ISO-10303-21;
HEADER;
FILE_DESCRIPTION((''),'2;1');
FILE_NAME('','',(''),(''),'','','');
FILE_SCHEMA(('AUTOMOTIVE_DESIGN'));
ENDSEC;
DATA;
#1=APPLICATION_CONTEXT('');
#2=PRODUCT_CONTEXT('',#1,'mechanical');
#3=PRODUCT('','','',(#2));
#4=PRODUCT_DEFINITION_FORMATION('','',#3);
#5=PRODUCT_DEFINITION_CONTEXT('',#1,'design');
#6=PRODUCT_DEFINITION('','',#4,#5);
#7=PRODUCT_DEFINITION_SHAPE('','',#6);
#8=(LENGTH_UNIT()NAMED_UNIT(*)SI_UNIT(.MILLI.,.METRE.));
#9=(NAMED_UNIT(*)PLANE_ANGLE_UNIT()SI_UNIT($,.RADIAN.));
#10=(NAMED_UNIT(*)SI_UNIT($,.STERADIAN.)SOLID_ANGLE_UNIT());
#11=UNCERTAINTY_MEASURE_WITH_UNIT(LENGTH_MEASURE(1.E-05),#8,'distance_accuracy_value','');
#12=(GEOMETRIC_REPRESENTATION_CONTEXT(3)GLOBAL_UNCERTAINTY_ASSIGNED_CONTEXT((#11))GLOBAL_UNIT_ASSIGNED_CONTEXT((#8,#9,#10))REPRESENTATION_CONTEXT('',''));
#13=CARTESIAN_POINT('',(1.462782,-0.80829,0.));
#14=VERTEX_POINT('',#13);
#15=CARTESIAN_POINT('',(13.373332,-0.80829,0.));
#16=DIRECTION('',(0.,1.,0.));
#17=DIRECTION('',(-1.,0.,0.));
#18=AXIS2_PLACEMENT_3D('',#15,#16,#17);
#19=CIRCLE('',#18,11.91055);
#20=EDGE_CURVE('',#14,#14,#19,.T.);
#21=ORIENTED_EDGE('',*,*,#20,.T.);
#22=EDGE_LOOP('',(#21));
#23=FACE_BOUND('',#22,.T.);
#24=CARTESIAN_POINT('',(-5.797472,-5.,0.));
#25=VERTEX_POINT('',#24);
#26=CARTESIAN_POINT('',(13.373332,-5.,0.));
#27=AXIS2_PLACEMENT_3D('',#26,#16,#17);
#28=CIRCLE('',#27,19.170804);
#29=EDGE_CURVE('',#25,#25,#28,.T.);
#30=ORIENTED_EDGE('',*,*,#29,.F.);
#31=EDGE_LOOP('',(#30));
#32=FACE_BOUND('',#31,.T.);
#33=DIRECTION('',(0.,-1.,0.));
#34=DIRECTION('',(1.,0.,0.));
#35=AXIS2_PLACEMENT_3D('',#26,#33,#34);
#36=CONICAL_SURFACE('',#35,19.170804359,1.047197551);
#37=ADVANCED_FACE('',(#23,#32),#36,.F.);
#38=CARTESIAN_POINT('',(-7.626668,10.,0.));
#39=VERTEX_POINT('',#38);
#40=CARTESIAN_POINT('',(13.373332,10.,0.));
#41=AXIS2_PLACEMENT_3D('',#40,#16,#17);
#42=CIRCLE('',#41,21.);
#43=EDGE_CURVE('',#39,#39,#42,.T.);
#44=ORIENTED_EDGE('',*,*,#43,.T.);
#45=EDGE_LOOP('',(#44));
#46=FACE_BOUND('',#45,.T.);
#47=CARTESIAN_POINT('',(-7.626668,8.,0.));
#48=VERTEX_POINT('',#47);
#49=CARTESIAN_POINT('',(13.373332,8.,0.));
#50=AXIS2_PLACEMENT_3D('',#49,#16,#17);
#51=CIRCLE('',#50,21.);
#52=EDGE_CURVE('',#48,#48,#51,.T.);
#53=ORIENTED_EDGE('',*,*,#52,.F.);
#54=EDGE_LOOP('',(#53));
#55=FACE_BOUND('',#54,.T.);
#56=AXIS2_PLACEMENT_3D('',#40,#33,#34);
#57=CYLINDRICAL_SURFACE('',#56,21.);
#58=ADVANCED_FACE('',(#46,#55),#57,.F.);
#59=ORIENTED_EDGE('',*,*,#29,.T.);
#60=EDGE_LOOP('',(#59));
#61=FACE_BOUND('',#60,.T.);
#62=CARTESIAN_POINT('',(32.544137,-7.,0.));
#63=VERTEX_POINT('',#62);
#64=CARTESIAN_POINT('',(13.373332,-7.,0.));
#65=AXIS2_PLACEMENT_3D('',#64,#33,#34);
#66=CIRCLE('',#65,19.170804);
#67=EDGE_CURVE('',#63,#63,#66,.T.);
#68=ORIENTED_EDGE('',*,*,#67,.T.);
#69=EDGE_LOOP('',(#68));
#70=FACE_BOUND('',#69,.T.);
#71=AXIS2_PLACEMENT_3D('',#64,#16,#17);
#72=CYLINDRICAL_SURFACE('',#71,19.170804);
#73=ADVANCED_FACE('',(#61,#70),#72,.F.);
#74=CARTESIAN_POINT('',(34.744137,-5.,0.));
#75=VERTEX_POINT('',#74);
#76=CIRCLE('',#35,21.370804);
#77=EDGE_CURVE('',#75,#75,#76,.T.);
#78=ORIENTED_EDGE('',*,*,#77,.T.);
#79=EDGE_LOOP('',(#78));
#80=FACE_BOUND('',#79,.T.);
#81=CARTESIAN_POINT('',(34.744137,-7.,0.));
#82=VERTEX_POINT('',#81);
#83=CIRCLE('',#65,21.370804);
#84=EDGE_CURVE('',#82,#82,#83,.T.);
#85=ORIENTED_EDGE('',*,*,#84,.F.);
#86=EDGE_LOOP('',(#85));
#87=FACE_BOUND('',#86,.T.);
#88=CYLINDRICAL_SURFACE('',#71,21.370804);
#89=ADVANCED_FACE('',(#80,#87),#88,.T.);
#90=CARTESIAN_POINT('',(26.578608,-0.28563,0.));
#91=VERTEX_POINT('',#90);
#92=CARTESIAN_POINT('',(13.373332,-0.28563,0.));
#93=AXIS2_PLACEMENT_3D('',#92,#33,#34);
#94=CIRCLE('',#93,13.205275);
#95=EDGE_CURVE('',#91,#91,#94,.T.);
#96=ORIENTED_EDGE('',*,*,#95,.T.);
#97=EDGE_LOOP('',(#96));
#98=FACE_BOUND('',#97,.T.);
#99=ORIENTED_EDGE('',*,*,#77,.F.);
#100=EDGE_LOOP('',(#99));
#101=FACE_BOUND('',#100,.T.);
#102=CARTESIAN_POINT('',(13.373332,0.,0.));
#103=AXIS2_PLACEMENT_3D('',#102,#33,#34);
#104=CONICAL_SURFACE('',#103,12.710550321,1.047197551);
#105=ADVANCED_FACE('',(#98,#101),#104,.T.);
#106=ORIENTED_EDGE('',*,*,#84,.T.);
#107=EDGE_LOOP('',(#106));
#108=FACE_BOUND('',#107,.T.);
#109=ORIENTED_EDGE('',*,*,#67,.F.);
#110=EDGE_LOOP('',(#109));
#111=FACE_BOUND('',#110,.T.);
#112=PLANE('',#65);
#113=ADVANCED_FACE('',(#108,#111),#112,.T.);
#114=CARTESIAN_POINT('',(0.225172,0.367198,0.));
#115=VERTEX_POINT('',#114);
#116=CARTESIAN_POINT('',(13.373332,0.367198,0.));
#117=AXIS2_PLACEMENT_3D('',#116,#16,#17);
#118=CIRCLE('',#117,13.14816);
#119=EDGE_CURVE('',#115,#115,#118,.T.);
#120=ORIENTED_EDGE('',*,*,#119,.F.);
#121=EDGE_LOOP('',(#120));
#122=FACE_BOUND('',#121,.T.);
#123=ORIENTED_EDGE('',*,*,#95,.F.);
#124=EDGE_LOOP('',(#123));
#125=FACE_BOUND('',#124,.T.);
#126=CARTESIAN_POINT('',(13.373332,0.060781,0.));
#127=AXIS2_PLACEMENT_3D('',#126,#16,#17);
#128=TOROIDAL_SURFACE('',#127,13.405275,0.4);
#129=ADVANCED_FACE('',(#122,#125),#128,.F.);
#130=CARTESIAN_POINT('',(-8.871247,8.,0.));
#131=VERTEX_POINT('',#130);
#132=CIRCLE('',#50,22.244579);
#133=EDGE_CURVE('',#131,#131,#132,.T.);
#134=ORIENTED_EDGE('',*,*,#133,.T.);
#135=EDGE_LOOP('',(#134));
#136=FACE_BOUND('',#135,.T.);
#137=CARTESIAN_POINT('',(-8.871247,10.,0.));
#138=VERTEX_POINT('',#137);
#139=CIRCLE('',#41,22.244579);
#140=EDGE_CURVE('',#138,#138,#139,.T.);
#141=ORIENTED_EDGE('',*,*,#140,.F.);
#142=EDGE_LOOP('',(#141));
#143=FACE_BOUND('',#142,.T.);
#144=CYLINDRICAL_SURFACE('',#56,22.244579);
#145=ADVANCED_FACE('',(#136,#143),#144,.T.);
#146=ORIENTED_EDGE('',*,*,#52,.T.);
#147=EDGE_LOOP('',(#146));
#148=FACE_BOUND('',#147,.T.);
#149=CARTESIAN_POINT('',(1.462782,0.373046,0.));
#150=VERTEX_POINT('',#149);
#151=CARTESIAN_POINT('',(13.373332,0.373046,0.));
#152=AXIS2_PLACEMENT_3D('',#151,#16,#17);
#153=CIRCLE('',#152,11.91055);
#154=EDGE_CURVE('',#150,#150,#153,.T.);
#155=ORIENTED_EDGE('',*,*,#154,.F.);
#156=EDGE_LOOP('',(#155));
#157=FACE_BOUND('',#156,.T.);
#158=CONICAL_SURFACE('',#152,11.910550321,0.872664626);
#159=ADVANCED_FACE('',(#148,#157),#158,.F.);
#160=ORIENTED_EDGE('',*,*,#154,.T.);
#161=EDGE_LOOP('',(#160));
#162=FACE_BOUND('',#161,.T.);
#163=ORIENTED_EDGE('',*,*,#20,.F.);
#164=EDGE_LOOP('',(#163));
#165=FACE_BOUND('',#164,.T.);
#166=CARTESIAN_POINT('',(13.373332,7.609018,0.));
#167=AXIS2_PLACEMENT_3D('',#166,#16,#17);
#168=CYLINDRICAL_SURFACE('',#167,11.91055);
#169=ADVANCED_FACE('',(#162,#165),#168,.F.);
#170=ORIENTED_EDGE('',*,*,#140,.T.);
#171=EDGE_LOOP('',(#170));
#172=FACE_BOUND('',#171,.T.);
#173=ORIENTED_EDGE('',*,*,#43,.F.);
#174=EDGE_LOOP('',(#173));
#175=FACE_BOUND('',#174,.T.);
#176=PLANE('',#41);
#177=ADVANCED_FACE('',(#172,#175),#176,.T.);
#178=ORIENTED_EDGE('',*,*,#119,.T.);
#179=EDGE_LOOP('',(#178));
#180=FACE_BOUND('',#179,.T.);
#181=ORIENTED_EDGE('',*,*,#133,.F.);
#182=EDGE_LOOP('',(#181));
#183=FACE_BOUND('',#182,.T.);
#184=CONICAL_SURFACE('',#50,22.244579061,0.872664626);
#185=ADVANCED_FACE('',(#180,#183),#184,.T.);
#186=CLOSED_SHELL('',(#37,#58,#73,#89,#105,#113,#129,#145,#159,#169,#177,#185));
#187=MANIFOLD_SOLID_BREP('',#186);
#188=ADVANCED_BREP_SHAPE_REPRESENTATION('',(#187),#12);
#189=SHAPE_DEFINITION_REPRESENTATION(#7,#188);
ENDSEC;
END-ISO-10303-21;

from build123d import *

# Parameters (mm, degrees)
FILLET2_R           = 0.4
SKETCH2_R           = 22.244579061
SKETCH2_R_2         = 21
BOSS_EXTRUDE1_DEPTH = 2
SKETCH3_R           = 21.370804359
SKETCH3_R_2         = 19.170804359
BOSS_EXTRUDE2_DEPTH = 2


with BuildPart() as part:
    # Sketch1 → Revolve1 (revolve)
    with BuildSketch(Plane.XY):
        Polygon((0.662781953, 0), (-8.871246788, 8), (-7.626667727, 8), (1.462781953, 0.373046127), (1.462781953, -0.808290377), (-5.797472085, -5), (-7.997472085, -5), align=None)
    revolve(axis=Axis((13.373332273, 7.609018033, 0), (0, -1, 0)))

    # Fillet2
    fillet2_edges = [part.edges().sort_by_distance(p)[0] for p in [
        (26.083882594, 0, 0),
    ]]
    fillet(fillet2_edges, radius=FILLET2_R)

    # Sketch2 → Boss-Extrude1 (add)
    with BuildSketch(Plane(origin=(0, 8, 0), x_dir=(1, 0, 0), z_dir=(0, 1, 0))):
        with Locations(Location((13.373332273, 0, 0), (0, 0, 180))):
            Circle(SKETCH2_R)
        with Locations(Location((13.373332273, 0, 0), (0, 0, 180))):
            Circle(SKETCH2_R_2, mode=Mode.SUBTRACT)
    extrude(amount=BOSS_EXTRUDE1_DEPTH)

    # Sketch3 → Boss-Extrude2 (add)
    with BuildSketch(Plane.XZ.offset(5)):
        with Locations((13.373332273, 0)):
            Circle(SKETCH3_R)
        with Locations(Location((13.373332273, 0, 0), (0, 0, 180))):
            Circle(SKETCH3_R_2, mode=Mode.SUBTRACT)
    extrude(amount=BOSS_EXTRUDE2_DEPTH)


solid = part.part
